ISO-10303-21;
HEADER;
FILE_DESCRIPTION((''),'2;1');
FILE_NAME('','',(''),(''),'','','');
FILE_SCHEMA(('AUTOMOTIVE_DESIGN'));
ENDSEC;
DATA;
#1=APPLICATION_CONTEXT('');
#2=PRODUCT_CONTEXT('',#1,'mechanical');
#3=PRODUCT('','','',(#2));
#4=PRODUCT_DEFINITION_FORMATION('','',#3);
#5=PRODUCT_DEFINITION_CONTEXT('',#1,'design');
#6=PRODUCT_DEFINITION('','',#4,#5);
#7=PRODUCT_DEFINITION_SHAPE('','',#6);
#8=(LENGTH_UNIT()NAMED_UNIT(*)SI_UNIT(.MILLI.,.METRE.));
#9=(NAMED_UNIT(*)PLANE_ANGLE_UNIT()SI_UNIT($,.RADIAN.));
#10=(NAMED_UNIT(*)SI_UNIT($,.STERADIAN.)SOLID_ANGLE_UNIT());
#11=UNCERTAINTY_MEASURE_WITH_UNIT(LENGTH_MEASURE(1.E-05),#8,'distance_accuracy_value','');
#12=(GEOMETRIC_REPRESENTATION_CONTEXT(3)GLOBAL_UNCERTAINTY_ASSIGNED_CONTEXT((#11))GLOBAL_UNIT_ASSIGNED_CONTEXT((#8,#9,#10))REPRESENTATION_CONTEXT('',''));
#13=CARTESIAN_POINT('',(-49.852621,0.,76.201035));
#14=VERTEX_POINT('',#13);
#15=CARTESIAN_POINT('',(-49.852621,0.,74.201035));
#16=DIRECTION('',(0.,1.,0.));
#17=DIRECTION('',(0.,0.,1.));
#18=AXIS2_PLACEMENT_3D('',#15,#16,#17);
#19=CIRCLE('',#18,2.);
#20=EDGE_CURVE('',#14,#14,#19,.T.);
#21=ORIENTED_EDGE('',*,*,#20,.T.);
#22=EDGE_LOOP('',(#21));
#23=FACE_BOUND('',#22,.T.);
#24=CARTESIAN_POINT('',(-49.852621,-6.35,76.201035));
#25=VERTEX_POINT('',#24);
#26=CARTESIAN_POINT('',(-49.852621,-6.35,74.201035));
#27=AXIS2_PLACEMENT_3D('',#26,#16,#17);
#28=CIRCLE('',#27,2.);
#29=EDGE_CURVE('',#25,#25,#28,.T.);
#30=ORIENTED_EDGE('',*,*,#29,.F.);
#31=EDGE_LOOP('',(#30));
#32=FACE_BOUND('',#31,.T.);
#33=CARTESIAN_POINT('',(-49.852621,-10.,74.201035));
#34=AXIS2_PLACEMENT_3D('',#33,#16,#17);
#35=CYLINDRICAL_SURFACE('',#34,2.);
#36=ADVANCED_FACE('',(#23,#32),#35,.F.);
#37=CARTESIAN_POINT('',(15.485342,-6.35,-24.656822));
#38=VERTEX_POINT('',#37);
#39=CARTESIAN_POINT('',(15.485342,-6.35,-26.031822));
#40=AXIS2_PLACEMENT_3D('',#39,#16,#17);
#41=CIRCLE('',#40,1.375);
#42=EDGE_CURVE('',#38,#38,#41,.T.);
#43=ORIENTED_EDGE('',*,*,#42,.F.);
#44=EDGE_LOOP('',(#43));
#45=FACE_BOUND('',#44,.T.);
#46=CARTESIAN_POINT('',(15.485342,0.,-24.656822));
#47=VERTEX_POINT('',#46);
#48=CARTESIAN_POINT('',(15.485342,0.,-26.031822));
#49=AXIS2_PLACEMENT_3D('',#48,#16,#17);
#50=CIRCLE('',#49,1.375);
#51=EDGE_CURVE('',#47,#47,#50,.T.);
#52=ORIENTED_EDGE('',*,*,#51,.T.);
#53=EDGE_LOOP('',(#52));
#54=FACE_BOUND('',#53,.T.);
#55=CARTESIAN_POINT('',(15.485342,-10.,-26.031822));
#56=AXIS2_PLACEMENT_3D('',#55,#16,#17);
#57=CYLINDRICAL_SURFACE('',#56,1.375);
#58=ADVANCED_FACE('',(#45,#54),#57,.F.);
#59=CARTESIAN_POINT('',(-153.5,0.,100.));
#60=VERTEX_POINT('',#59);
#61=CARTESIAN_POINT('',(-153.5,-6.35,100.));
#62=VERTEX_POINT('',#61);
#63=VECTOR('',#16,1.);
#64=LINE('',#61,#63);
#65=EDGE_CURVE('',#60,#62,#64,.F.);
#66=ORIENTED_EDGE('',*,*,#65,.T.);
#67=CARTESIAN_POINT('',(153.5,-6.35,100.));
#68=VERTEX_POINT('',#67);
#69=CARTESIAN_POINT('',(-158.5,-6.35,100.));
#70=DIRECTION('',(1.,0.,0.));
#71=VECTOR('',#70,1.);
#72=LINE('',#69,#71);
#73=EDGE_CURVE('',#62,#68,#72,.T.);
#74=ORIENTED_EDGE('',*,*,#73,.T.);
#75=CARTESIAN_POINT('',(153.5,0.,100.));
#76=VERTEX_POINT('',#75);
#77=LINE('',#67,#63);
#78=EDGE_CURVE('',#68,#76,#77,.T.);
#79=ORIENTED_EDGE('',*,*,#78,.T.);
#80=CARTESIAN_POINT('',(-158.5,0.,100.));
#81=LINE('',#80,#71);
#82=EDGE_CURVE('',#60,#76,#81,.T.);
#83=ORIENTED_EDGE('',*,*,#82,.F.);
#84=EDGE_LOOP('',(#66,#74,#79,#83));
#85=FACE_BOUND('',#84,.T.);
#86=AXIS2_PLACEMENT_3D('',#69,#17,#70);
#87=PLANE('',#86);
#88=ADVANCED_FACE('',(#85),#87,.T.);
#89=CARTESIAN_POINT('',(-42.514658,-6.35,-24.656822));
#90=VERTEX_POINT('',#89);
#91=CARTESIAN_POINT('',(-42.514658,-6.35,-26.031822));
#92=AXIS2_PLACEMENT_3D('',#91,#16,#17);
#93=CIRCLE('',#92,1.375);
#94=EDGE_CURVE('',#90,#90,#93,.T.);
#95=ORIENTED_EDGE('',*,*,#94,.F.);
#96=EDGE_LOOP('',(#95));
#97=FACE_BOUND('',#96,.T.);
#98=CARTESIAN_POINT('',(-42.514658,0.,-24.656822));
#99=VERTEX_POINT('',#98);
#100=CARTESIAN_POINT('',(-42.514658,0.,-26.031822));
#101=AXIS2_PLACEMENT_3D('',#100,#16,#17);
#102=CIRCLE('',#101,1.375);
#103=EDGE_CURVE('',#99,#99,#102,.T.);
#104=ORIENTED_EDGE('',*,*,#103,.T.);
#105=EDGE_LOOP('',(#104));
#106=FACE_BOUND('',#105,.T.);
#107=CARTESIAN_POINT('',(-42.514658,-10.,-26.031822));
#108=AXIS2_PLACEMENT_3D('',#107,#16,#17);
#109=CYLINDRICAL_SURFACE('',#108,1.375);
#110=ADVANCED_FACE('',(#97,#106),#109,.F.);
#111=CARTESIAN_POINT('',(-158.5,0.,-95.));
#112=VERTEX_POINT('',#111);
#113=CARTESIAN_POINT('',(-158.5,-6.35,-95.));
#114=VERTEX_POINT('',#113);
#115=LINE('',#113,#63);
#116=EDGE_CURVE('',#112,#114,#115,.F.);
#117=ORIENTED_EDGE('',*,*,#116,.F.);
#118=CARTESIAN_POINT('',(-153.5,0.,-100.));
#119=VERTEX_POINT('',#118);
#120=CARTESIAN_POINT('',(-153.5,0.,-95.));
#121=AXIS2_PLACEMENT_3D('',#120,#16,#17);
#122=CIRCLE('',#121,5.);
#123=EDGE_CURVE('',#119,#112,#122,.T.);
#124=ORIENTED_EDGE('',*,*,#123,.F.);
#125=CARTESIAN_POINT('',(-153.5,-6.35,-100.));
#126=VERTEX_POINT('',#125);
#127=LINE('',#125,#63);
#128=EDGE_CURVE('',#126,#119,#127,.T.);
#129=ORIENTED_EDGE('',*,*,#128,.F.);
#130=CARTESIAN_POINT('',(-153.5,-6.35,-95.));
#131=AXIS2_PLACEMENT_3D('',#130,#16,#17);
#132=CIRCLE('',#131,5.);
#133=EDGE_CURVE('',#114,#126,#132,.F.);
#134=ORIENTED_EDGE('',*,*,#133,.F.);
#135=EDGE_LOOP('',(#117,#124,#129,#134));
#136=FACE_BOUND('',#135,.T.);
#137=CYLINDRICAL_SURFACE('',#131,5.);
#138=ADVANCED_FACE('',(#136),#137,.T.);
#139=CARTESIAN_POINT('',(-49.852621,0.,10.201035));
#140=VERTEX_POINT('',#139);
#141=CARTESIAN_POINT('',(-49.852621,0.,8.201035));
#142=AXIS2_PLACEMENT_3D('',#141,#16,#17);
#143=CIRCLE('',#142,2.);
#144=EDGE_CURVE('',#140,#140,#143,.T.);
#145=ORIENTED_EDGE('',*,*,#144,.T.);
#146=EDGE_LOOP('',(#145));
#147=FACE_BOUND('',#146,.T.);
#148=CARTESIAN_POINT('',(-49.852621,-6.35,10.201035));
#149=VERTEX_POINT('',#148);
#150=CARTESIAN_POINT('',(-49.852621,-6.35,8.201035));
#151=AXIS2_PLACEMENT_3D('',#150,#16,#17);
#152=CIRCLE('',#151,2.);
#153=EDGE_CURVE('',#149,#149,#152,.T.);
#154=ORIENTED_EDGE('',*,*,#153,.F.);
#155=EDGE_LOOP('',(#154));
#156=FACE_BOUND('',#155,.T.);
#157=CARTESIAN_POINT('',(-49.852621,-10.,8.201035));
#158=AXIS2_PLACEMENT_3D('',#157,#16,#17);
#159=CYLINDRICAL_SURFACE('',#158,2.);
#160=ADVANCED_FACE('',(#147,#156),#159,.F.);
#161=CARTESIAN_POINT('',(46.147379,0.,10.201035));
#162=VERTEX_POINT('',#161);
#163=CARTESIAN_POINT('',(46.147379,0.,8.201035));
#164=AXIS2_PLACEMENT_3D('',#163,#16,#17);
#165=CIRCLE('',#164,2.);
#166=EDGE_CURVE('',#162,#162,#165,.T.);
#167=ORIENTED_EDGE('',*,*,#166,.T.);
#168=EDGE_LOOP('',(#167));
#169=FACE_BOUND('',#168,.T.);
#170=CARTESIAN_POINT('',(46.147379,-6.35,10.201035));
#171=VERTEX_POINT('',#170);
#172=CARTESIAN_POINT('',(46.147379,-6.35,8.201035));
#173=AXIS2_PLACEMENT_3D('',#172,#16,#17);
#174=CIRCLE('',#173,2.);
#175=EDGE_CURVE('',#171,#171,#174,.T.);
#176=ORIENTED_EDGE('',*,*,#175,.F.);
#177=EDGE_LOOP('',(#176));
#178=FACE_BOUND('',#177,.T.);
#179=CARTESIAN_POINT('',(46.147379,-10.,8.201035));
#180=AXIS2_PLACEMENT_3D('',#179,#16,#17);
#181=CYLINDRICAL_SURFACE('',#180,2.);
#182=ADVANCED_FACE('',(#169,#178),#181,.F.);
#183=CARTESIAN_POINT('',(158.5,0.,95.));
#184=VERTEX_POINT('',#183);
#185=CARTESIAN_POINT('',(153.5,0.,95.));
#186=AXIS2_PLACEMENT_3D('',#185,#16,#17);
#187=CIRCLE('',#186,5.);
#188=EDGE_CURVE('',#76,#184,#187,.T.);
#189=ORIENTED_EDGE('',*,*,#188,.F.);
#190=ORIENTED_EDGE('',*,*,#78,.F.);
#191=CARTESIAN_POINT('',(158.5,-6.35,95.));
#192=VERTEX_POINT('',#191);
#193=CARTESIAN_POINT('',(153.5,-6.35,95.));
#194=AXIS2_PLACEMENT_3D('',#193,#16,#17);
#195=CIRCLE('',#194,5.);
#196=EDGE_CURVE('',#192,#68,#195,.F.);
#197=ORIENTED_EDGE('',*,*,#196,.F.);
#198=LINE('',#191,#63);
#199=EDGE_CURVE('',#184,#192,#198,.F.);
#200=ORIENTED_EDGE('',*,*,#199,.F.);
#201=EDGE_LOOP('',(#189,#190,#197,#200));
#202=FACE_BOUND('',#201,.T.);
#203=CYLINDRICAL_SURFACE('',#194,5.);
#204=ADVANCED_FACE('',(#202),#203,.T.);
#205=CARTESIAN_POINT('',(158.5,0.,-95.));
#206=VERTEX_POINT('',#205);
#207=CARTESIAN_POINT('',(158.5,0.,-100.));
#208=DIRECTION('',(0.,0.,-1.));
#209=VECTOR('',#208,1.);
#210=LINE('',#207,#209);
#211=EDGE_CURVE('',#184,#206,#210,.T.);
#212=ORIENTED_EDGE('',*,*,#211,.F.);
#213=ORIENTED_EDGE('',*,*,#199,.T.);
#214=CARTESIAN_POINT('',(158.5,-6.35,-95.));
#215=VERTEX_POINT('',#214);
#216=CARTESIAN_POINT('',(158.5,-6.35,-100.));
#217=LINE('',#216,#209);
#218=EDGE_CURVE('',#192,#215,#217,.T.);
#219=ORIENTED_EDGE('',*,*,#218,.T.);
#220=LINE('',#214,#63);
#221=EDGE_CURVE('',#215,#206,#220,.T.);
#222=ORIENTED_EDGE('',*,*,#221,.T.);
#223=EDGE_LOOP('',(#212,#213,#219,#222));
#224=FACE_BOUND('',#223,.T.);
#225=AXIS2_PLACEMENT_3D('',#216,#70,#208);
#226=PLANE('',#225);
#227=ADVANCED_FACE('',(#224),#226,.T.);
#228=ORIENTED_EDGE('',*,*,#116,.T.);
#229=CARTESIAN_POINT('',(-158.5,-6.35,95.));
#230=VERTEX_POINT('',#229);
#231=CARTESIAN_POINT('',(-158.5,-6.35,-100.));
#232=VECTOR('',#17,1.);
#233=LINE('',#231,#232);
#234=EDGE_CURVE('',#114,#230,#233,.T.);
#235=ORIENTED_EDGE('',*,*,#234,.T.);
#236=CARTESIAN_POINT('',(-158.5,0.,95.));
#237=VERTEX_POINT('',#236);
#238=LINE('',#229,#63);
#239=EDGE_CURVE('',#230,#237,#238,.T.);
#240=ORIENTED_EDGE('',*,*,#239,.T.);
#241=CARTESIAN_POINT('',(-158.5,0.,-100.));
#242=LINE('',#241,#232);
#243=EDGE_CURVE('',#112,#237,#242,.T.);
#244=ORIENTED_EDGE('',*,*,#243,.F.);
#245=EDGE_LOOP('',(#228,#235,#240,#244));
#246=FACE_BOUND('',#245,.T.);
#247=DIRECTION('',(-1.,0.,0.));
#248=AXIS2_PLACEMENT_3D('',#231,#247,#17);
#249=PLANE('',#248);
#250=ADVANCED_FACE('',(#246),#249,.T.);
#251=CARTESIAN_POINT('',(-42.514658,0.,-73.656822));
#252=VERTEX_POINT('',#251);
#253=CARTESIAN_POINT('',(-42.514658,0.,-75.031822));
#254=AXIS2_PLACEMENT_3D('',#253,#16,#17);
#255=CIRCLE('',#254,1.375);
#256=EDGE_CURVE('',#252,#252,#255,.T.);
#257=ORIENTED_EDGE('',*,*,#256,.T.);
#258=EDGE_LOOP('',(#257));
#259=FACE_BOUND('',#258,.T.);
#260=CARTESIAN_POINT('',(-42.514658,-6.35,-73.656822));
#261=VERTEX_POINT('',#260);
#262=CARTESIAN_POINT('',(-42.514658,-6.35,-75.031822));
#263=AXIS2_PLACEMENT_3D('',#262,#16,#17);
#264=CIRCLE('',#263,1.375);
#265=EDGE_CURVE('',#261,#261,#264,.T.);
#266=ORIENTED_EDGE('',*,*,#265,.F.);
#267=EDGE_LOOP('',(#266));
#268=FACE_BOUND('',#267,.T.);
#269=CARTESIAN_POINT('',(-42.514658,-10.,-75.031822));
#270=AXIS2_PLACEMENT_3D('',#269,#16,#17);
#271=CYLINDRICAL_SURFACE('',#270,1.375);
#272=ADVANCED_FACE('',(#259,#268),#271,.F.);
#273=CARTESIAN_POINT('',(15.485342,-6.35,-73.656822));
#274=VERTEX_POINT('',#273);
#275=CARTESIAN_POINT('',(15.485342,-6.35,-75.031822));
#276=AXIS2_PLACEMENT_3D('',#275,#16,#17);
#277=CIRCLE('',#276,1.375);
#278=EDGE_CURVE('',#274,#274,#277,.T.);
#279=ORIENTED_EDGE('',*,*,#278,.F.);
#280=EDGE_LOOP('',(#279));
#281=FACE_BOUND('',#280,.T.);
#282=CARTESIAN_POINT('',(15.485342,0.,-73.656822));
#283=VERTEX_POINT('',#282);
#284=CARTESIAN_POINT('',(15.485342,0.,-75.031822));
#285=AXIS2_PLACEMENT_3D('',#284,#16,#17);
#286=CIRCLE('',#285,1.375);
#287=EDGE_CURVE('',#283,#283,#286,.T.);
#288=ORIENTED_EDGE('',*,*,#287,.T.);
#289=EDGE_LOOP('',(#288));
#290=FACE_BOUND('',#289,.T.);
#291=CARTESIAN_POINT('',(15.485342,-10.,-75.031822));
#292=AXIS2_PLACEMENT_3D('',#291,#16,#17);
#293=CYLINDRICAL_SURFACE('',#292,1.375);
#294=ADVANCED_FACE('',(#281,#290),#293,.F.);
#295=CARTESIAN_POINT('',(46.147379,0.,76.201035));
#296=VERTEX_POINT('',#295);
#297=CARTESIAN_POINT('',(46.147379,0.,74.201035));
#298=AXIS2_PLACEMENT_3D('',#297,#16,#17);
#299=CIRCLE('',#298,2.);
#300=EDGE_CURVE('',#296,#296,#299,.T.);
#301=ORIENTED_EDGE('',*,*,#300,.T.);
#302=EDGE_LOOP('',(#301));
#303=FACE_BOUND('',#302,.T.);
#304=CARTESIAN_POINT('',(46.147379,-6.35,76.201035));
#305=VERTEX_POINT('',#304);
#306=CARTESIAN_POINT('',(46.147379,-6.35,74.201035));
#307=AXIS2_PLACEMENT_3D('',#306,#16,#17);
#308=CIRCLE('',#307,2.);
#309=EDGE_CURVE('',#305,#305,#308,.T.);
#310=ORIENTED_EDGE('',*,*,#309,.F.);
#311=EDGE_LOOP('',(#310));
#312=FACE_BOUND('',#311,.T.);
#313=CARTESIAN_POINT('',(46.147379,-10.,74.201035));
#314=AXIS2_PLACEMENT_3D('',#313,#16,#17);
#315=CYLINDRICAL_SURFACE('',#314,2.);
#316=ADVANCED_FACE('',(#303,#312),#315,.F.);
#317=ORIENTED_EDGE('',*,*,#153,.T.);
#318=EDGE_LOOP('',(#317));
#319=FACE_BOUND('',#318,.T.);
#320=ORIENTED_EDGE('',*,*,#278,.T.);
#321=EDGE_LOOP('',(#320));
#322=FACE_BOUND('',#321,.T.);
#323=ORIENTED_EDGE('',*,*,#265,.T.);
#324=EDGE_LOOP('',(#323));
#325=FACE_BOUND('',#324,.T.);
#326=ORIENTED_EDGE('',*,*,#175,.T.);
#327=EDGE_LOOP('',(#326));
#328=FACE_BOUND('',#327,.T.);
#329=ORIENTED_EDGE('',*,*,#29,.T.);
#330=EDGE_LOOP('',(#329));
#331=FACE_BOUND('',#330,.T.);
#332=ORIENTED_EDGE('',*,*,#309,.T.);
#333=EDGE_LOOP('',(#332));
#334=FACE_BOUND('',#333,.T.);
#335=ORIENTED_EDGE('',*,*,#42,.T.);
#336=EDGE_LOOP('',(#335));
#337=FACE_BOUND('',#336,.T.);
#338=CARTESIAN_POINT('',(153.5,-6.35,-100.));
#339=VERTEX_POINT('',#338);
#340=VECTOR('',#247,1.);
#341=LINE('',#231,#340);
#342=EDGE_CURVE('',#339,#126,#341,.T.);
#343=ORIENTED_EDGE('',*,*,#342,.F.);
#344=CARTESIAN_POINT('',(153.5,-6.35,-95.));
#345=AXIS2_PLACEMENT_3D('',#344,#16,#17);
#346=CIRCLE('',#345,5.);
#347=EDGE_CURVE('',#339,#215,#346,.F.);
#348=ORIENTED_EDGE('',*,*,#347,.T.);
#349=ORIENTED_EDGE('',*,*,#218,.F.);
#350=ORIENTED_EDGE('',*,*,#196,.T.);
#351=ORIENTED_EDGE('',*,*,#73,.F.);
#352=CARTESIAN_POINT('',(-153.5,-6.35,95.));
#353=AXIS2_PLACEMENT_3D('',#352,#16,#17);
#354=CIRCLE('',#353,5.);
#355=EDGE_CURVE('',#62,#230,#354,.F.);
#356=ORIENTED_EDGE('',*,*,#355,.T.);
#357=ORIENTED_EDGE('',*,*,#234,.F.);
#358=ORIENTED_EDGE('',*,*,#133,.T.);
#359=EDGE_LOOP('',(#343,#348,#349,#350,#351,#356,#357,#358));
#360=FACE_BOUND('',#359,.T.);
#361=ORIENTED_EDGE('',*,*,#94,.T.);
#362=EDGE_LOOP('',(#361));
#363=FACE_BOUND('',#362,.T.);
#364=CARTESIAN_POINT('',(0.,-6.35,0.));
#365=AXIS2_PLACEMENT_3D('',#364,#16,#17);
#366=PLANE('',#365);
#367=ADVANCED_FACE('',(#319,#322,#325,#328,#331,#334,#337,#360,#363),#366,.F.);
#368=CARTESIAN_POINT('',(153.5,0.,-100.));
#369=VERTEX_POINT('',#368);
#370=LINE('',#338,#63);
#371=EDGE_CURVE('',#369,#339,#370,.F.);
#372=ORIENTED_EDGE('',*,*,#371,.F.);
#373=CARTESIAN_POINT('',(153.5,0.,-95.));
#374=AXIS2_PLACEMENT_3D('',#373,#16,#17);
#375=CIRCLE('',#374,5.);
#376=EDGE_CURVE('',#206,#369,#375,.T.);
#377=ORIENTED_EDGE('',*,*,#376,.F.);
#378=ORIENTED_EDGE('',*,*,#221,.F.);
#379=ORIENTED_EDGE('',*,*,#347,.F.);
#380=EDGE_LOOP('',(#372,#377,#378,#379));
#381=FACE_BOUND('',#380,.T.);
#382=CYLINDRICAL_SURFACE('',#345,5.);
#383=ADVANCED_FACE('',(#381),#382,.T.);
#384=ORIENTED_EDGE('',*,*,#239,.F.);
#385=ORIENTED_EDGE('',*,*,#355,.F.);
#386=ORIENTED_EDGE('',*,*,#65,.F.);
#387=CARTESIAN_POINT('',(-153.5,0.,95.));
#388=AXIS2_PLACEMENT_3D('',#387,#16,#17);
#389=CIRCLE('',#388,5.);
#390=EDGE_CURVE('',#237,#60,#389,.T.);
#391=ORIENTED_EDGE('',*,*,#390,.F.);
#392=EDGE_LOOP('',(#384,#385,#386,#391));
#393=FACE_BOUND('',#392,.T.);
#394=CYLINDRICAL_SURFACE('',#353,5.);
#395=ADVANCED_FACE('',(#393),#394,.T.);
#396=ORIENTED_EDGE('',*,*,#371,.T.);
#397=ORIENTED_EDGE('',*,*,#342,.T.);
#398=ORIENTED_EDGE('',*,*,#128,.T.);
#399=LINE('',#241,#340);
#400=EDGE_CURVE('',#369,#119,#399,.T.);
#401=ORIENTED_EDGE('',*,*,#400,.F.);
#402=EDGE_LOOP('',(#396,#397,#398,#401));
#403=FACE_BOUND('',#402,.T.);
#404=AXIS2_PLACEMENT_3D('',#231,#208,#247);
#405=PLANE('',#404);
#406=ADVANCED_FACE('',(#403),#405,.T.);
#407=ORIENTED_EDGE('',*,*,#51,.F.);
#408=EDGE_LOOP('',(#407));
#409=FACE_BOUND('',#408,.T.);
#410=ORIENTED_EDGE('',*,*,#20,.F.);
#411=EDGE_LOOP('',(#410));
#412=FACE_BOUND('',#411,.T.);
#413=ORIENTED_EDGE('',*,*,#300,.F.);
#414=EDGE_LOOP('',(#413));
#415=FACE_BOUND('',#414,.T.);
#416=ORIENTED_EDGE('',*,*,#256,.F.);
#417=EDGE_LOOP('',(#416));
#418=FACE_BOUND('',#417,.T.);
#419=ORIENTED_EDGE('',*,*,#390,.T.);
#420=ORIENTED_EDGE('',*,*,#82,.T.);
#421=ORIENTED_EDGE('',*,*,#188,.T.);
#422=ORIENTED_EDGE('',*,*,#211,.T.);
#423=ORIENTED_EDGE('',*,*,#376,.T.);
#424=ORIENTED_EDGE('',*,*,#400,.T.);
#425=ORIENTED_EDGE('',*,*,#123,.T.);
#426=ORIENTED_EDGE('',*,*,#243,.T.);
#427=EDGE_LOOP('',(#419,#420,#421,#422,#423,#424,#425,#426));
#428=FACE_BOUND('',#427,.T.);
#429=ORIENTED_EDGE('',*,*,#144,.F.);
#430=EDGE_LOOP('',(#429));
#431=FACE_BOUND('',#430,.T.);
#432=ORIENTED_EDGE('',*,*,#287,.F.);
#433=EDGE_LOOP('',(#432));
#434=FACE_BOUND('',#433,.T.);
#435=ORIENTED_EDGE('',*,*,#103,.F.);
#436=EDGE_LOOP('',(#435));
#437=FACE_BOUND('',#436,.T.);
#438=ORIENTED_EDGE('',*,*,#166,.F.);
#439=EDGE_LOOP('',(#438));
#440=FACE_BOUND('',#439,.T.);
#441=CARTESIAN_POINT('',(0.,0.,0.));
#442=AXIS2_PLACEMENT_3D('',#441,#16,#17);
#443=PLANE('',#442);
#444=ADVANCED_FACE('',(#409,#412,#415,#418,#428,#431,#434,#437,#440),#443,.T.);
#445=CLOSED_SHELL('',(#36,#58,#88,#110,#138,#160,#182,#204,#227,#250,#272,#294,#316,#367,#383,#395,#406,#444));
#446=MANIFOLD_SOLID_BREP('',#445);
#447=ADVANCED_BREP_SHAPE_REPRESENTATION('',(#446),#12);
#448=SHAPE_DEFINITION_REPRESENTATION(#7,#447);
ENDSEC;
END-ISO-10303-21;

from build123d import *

# Parameters (mm, degrees)
SKETCH1_W           = 317
SKETCH1_H           = 200
BOSS_EXTRUDE1_DEPTH = 6.35
FILLET1_R           = 5
SKETCH2_R           = 2
SKETCH2_R_2         = 1.375
CUT_EXTRUDE1_DEPTH  = 10


with BuildPart() as part:
    # Sketch1 → Boss-Extrude1 (new body)
    with BuildSketch(Plane(origin=(0, 0, 0), x_dir=(1, 0, 0), z_dir=(0, 1, 0))):
        Rectangle(SKETCH1_W, SKETCH1_H)
    extrude(amount=-BOSS_EXTRUDE1_DEPTH)

    # Fillet1
    fillet1_edges = [part.edges().sort_by_distance(p)[0] for p in [
        (-158.5, -3.175, -100),
        (158.5, -3.175, -100),
        (158.5, -3.175, 100),
        (-158.5, -3.175, 100),
    ]]
    fillet(fillet1_edges, radius=FILLET1_R)

    # Sketch2 → Cut-Extrude1 (cut)
    with BuildSketch(Plane(origin=(93.325, 0, -211.68), x_dir=(0, 0, -1), z_dir=(0, 1, 0))):
        with Locations((-219.881035079, 47.177621018)):
            Circle(SKETCH2_R)
        with Locations((-285.881035079, 47.177621018)):
            Circle(SKETCH2_R)
        with Locations((-219.881035079, 143.177621018)):
            Circle(SKETCH2_R)
        with Locations((-285.881035079, 143.177621018)):
            Circle(SKETCH2_R)
        with Locations((-136.648177626, 77.839658286)):
            Circle(SKETCH2_R_2)
        with Locations((-185.648177626, 77.839658286)):
            Circle(SKETCH2_R_2)
        with Locations((-185.648177626, 135.839658286)):
            Circle(SKETCH2_R_2)
        with Locations((-136.648177626, 135.839658286)):
            Circle(SKETCH2_R_2)
    extrude(amount=-CUT_EXTRUDE1_DEPTH, mode=Mode.SUBTRACT)


solid = part.part
